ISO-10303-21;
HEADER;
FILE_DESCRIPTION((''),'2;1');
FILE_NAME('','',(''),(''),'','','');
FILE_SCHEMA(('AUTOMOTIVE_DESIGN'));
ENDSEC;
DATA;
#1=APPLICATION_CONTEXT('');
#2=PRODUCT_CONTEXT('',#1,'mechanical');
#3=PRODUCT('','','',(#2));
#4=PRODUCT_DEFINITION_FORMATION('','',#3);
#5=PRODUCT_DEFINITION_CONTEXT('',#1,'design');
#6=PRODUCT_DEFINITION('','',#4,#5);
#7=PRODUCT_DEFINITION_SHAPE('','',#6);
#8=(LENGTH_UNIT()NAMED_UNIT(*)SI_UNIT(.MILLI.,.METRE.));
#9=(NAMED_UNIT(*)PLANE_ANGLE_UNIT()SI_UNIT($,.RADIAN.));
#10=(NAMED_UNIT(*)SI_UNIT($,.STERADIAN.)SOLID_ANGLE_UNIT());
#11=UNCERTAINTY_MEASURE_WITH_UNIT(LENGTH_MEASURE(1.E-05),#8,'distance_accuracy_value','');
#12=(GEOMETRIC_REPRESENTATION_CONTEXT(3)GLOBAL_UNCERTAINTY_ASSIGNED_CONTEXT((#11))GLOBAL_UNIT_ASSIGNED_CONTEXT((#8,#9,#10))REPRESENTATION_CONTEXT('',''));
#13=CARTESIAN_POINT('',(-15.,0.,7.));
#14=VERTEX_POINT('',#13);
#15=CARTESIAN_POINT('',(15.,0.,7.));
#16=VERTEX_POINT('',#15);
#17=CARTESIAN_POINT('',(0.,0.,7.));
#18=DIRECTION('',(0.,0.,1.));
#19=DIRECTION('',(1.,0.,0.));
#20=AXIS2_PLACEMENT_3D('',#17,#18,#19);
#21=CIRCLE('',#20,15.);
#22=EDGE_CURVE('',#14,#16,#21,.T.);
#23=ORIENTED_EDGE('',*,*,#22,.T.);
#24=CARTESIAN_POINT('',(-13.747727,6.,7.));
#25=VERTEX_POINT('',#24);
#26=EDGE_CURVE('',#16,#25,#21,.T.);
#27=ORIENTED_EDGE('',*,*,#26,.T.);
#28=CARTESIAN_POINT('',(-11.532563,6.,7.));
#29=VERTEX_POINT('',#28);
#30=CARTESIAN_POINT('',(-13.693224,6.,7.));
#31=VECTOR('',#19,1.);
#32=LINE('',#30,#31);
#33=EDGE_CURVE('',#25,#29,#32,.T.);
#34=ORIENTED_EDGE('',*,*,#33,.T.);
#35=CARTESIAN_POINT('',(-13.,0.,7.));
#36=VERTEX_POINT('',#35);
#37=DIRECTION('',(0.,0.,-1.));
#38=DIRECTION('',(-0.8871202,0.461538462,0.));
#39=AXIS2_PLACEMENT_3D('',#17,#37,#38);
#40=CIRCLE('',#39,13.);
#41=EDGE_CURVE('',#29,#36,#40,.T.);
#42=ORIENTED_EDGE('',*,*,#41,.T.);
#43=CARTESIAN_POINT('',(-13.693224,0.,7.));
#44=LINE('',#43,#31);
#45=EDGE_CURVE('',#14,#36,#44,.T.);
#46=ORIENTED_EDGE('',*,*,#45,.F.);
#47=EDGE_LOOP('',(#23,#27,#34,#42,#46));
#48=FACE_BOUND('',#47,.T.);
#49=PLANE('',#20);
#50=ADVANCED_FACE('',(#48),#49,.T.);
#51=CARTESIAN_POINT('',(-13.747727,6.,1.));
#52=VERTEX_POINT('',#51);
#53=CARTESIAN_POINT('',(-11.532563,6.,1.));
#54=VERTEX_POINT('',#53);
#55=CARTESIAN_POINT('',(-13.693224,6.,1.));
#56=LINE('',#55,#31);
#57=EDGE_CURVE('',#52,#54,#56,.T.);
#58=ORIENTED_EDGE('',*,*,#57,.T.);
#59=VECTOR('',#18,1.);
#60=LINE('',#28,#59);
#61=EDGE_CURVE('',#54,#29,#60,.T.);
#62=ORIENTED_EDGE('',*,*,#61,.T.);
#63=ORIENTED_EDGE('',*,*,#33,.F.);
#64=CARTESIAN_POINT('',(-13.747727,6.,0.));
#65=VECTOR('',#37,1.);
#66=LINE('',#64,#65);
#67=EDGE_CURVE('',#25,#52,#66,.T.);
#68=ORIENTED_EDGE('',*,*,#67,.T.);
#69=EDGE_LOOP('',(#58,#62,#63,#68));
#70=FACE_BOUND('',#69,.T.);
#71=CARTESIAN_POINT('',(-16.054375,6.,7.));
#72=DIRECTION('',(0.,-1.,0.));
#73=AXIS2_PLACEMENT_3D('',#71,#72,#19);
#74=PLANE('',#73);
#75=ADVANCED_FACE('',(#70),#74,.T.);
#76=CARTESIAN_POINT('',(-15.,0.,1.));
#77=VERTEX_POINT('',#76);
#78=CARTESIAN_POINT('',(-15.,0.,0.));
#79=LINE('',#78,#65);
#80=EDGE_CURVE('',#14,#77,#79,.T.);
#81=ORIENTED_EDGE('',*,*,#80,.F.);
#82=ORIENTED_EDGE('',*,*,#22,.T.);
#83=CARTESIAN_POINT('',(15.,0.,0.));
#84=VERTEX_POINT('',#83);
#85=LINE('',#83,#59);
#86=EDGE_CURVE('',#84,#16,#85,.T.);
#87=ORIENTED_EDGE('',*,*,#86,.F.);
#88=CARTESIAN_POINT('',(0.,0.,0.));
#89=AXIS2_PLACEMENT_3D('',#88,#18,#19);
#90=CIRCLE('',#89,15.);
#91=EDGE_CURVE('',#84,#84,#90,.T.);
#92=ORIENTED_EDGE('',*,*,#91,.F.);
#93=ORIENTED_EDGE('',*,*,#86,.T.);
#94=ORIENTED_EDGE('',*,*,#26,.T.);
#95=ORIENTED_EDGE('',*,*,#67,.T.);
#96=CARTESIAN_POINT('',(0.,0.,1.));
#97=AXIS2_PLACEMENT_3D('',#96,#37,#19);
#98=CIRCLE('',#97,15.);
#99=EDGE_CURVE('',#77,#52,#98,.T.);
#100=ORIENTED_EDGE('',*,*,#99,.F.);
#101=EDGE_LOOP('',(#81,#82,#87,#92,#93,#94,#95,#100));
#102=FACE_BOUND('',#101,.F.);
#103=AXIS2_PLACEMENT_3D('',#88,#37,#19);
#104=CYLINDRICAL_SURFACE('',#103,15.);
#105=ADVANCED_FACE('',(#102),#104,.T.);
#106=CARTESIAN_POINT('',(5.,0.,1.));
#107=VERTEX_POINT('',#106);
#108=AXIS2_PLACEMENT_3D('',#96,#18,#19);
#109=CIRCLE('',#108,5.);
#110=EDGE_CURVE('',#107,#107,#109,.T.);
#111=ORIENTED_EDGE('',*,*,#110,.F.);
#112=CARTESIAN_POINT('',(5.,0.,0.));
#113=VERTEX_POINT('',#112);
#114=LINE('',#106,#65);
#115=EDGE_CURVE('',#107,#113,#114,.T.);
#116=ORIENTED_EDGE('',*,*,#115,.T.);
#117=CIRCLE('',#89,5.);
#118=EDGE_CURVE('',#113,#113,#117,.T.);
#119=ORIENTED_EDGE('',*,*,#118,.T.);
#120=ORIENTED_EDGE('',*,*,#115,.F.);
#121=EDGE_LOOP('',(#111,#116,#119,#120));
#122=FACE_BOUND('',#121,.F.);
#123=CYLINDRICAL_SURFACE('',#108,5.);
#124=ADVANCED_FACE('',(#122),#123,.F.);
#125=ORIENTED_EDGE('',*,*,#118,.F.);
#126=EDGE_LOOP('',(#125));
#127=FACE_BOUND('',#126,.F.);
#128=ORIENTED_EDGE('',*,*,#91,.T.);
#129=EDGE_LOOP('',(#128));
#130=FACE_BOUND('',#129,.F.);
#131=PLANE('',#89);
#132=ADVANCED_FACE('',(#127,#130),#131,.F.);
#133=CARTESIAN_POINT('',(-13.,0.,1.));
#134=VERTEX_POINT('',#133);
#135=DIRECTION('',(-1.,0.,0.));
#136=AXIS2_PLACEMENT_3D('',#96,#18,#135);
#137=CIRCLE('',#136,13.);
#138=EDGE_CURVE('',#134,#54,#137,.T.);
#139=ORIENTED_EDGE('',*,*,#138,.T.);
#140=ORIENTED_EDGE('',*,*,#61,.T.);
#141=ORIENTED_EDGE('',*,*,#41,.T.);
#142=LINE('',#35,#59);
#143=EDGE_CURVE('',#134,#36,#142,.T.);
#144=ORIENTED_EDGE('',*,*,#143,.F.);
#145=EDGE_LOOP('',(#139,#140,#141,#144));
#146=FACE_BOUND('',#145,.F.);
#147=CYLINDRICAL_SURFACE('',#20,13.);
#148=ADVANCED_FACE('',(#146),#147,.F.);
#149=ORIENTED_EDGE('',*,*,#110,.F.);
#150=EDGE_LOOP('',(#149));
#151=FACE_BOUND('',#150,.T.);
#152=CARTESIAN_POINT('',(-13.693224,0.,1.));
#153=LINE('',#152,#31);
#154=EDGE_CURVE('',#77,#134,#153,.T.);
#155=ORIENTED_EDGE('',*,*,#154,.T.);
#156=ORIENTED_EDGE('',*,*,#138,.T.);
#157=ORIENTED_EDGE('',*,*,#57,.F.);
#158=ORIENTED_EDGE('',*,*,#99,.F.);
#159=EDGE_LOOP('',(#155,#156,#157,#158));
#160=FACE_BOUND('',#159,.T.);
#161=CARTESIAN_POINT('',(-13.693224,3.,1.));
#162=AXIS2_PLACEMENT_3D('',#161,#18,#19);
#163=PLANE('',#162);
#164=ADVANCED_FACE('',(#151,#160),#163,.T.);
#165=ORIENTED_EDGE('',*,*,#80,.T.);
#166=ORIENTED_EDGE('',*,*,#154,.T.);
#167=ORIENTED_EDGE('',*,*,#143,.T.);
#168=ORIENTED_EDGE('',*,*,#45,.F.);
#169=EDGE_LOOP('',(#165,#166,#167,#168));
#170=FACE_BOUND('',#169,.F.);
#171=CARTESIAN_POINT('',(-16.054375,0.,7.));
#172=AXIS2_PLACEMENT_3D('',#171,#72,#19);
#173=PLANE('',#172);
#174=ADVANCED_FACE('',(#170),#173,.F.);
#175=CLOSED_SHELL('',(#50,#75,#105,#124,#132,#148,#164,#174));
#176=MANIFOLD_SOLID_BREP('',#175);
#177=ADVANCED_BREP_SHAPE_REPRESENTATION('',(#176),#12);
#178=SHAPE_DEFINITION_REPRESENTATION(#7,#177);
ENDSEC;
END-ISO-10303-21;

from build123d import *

# Parameters (mm, degrees)
SKETCH_R        = 15
PAD_DEPTH       = 7
SKETCH001_R     = 13
POCKET_DEPTH    = 6
SKETCH002_W     = 4.722303
SKETCH002_H     = 6
POCKET001_DEPTH = 6
SKETCH003_R     = 5
POCKET002_DEPTH = 1.001


with BuildPart() as part:
    # Sketch → Pad (new body)
    with BuildSketch(Plane.XY):
        Circle(SKETCH_R)
    extrude(amount=PAD_DEPTH)

    # Sketch001 (on Face3 of Pad) → Pocket (cut)
    with BuildSketch(Plane.XY.offset(7)):
        Circle(SKETCH001_R)
    extrude(amount=-POCKET_DEPTH, mode=Mode.SUBTRACT)

    # Sketch002 (on Face3 of Pocket) → Pocket001 (cut)
    with BuildSketch(Plane.XY.offset(7)):
        with Locations((-13.693224, 3)):
            Rectangle(SKETCH002_W, SKETCH002_H)
    extrude(amount=-POCKET001_DEPTH, mode=Mode.SUBTRACT)

    # Sketch003 (on Face10 of Pocket001) → Pocket002 (cut, through all)
    with BuildSketch(Plane.XY.offset(1)):
        Circle(SKETCH003_R)
    extrude(amount=-POCKET002_DEPTH, mode=Mode.SUBTRACT)


solid = part.part
